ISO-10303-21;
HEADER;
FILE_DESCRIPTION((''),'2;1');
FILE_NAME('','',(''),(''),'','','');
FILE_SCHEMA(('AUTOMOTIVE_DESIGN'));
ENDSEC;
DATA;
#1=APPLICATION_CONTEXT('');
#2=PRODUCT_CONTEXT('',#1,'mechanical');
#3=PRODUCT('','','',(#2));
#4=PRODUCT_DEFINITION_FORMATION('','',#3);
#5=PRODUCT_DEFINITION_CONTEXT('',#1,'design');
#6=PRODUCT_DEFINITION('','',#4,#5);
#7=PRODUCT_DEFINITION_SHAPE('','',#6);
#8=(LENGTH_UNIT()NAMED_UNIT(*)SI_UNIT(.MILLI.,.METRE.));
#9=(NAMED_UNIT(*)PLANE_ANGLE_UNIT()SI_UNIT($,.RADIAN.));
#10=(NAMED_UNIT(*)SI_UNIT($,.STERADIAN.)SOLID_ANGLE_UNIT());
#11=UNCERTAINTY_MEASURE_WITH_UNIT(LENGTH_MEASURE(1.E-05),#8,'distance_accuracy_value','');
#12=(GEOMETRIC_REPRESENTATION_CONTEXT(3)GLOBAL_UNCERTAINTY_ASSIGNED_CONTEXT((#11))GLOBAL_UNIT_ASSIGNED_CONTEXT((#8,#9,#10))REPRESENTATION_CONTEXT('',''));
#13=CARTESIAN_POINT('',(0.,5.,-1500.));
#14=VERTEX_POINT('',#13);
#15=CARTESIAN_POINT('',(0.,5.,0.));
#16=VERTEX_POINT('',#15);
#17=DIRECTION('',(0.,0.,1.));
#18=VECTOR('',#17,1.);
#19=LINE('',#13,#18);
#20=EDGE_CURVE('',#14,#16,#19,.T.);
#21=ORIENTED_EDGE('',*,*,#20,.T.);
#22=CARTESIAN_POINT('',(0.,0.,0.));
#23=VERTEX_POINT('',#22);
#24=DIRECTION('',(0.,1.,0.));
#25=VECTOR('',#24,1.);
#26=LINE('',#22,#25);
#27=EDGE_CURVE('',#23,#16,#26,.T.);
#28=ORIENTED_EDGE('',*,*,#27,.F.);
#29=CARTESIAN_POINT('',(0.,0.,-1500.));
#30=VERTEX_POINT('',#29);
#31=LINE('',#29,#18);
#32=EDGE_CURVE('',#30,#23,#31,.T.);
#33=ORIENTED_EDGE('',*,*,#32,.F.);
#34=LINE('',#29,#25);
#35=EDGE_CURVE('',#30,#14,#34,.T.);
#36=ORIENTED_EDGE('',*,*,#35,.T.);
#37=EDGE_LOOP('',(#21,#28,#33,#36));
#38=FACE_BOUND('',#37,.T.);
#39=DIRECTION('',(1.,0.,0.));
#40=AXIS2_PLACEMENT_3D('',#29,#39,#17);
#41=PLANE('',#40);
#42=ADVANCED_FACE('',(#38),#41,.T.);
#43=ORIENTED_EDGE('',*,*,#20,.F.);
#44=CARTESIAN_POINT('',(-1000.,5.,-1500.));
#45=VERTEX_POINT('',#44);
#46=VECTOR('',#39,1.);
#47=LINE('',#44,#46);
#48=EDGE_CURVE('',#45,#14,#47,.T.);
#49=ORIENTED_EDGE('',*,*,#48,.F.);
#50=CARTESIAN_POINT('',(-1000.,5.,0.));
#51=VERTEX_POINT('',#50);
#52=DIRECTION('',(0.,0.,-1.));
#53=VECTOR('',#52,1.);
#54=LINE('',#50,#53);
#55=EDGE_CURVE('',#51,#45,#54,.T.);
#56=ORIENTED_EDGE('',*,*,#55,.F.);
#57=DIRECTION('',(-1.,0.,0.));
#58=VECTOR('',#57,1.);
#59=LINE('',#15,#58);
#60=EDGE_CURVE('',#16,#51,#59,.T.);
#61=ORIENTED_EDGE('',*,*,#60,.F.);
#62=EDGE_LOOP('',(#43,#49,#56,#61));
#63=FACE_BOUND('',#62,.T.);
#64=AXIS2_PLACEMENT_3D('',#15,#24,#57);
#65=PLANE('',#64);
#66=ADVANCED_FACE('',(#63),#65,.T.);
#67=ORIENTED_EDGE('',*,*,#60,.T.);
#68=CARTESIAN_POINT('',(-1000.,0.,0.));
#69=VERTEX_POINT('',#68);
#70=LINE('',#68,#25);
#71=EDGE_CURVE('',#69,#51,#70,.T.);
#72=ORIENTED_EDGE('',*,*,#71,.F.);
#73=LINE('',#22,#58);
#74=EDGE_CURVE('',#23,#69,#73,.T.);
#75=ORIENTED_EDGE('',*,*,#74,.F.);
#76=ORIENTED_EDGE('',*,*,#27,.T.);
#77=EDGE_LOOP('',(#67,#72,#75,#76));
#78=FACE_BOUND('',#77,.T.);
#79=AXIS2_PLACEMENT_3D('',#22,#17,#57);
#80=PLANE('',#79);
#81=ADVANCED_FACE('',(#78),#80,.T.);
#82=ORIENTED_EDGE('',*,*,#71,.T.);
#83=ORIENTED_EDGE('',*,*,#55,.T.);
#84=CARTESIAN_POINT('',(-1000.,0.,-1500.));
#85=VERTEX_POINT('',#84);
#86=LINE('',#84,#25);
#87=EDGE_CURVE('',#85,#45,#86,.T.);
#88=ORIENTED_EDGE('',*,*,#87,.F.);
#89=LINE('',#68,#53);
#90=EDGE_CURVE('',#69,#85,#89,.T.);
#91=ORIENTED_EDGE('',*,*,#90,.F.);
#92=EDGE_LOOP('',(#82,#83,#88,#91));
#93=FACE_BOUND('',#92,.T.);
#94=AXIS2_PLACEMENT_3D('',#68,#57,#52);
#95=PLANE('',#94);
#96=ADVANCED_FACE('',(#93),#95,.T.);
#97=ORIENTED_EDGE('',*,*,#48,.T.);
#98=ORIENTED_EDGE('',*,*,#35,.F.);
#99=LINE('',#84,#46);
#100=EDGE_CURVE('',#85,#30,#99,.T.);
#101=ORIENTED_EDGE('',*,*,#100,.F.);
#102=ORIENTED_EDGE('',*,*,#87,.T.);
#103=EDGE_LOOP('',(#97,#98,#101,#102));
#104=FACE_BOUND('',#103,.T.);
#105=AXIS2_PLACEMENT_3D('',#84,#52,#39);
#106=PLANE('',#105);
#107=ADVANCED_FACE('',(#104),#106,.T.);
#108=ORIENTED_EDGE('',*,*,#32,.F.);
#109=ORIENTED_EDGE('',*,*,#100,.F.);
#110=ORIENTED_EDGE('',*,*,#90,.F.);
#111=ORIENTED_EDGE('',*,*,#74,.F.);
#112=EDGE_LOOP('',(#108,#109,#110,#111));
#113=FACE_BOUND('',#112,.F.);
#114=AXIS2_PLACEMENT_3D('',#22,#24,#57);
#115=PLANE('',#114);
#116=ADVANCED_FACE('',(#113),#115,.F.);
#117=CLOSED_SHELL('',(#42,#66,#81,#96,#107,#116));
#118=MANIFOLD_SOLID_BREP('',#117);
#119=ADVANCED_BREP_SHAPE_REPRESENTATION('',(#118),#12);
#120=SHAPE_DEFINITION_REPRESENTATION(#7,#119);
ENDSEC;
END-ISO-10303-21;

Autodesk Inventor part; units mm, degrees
ref_plane "YZ Plane" through (0, 0, 0) normal (1, 0, 0) x (0, 1, 0)
ref_plane "XZ Plane" through (0, 0, 0) normal (0, 1, 0) x (-1, 0, 0)
ref_plane "XY Plane" through (0, 0, 0) normal (0, 0, 1) x (1, 0, 0)
sketch "Sketch1" plane through (0, 0, 0) normal (0, 1, 0) x (-1, 0, 0)
  line L0 (0, 0) -> (1000, 0)
  line L1 (1000, 0) -> (1000, -1500)
  line L2 (1000, -1500) -> (0, -1500)
  line L3 (0, -1500) -> (0, 0)
  dimension "d0" = 1000
  dimension "d1" = 1500
extrude "Extrusion1" add sketch "Sketch1" along normal blind 5
properties part number "ReflectorWallWide" material "Silver"
